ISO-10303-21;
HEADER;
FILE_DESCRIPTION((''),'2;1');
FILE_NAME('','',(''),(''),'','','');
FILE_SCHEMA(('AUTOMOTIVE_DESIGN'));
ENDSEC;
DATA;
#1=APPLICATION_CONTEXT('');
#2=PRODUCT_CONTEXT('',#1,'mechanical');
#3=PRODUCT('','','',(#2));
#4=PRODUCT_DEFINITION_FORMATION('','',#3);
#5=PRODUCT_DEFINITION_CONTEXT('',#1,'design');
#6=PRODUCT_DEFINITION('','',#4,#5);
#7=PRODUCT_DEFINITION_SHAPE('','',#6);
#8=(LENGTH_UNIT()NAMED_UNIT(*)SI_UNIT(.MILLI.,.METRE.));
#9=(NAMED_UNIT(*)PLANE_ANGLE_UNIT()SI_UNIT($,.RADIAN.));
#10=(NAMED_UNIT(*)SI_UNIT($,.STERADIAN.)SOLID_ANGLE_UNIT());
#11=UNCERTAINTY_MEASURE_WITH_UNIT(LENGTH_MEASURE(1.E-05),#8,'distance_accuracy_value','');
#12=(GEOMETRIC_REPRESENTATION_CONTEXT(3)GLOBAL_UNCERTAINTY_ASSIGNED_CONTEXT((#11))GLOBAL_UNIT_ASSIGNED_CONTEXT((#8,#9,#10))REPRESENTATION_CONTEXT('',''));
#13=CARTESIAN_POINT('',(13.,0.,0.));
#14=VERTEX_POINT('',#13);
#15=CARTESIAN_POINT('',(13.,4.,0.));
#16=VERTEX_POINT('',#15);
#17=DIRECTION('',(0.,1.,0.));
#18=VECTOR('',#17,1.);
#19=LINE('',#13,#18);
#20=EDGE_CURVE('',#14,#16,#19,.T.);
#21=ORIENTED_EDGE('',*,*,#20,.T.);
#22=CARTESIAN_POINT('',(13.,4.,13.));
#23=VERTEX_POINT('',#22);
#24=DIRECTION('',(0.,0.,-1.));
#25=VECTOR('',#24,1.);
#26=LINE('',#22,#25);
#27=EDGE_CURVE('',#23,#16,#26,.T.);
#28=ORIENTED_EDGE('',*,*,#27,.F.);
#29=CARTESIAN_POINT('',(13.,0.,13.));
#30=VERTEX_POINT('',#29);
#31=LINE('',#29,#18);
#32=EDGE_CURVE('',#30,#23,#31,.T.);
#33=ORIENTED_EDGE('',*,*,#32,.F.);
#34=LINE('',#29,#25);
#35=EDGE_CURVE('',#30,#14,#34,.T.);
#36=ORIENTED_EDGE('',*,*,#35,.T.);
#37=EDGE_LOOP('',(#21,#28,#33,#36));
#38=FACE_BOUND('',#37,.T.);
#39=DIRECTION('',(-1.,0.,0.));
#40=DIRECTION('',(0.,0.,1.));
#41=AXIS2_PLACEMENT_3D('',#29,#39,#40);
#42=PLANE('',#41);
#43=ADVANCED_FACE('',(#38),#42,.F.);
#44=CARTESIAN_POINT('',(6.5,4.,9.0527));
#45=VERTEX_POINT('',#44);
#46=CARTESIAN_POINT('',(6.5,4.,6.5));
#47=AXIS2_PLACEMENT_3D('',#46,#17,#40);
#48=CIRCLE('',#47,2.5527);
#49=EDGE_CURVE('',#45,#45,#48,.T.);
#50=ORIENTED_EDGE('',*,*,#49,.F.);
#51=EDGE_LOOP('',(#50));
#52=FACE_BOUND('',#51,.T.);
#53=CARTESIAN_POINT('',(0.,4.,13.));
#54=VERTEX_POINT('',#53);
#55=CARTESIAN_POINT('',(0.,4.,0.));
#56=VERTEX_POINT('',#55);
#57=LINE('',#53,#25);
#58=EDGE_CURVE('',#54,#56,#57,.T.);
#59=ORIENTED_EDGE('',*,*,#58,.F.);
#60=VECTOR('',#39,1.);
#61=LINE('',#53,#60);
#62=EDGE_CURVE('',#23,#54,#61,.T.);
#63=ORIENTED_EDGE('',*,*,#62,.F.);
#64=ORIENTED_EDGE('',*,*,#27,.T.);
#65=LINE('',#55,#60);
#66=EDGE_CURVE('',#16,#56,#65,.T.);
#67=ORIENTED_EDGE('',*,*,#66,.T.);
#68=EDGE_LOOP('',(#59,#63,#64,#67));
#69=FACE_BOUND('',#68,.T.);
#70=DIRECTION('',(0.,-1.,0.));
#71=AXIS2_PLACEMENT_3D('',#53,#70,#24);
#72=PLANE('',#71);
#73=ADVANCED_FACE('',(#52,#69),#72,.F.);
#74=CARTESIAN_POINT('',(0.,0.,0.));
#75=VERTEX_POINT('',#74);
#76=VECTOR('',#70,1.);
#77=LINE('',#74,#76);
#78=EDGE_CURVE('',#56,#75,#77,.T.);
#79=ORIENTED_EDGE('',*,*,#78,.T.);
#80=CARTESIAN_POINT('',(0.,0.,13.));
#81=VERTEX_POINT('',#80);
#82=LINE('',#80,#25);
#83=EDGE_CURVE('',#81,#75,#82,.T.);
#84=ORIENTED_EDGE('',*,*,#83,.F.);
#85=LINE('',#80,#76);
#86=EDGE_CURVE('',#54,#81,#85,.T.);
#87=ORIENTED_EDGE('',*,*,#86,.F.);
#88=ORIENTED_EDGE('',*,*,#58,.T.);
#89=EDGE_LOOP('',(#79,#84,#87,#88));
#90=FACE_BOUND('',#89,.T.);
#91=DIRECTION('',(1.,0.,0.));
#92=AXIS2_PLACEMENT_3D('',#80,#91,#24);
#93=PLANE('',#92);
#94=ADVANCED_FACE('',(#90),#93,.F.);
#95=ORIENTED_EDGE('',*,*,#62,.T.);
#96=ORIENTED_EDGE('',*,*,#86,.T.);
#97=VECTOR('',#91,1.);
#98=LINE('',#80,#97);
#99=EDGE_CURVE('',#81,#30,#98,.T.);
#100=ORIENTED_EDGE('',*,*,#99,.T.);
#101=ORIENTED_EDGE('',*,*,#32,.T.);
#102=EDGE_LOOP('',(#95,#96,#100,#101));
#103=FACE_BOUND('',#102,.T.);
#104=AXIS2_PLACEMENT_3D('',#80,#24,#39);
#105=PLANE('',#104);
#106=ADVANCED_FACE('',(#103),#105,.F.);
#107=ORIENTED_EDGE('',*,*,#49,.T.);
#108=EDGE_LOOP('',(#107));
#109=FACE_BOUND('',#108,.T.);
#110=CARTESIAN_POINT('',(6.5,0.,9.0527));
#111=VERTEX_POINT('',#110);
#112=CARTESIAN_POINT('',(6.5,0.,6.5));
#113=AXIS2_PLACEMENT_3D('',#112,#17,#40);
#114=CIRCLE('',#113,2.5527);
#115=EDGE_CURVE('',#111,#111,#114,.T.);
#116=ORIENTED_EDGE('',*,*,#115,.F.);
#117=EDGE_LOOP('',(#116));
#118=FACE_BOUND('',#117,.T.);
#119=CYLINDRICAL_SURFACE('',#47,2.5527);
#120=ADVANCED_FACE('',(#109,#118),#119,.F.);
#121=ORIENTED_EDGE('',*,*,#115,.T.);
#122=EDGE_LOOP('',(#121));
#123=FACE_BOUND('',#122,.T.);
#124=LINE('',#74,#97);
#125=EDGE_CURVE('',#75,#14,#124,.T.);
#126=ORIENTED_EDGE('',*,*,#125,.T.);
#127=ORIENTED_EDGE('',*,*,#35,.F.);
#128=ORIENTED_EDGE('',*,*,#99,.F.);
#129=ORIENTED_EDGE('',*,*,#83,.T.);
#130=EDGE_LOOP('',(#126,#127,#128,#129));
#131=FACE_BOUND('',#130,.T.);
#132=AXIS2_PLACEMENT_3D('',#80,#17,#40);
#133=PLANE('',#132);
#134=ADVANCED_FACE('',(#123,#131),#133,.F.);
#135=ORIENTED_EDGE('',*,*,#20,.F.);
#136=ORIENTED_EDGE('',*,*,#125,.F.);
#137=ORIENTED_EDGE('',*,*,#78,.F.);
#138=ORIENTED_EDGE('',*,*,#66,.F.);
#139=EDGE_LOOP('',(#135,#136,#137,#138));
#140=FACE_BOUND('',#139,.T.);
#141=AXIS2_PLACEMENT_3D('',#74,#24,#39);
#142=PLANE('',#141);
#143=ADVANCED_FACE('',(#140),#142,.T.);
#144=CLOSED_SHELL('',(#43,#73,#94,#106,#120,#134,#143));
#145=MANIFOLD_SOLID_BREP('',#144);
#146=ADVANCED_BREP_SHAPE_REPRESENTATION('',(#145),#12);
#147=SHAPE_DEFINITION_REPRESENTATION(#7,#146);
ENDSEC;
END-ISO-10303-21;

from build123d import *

# Parameters (mm, degrees)
SKIZZE1_W                       = 13
SKIZZE1_H                       = 4
AUFSATZ_LINEAR_AUSTRAGEN1_DEPTH = 13
F_1_4_20_GEWINDEBOHRUNG2_D      = 5.1054


with BuildPart() as part:
    # Skizze1 → Aufsatz-Linear austragen1 (new body)
    with BuildSketch(Plane.XY):
        with Locations((6.5, 2)):
            Rectangle(SKIZZE1_W, SKIZZE1_H)
    extrude(amount=AUFSATZ_LINEAR_AUSTRAGEN1_DEPTH)

    # 1/4-20 Gewindebohrung2 (through all)
    with Locations(Plane(origin=(0, 4, 0), x_dir=(1, 0, 0), z_dir=(0, 1, 0))):
        with Locations((6.5, -6.5)):
            Hole(F_1_4_20_GEWINDEBOHRUNG2_D / 2)


solid = part.part
